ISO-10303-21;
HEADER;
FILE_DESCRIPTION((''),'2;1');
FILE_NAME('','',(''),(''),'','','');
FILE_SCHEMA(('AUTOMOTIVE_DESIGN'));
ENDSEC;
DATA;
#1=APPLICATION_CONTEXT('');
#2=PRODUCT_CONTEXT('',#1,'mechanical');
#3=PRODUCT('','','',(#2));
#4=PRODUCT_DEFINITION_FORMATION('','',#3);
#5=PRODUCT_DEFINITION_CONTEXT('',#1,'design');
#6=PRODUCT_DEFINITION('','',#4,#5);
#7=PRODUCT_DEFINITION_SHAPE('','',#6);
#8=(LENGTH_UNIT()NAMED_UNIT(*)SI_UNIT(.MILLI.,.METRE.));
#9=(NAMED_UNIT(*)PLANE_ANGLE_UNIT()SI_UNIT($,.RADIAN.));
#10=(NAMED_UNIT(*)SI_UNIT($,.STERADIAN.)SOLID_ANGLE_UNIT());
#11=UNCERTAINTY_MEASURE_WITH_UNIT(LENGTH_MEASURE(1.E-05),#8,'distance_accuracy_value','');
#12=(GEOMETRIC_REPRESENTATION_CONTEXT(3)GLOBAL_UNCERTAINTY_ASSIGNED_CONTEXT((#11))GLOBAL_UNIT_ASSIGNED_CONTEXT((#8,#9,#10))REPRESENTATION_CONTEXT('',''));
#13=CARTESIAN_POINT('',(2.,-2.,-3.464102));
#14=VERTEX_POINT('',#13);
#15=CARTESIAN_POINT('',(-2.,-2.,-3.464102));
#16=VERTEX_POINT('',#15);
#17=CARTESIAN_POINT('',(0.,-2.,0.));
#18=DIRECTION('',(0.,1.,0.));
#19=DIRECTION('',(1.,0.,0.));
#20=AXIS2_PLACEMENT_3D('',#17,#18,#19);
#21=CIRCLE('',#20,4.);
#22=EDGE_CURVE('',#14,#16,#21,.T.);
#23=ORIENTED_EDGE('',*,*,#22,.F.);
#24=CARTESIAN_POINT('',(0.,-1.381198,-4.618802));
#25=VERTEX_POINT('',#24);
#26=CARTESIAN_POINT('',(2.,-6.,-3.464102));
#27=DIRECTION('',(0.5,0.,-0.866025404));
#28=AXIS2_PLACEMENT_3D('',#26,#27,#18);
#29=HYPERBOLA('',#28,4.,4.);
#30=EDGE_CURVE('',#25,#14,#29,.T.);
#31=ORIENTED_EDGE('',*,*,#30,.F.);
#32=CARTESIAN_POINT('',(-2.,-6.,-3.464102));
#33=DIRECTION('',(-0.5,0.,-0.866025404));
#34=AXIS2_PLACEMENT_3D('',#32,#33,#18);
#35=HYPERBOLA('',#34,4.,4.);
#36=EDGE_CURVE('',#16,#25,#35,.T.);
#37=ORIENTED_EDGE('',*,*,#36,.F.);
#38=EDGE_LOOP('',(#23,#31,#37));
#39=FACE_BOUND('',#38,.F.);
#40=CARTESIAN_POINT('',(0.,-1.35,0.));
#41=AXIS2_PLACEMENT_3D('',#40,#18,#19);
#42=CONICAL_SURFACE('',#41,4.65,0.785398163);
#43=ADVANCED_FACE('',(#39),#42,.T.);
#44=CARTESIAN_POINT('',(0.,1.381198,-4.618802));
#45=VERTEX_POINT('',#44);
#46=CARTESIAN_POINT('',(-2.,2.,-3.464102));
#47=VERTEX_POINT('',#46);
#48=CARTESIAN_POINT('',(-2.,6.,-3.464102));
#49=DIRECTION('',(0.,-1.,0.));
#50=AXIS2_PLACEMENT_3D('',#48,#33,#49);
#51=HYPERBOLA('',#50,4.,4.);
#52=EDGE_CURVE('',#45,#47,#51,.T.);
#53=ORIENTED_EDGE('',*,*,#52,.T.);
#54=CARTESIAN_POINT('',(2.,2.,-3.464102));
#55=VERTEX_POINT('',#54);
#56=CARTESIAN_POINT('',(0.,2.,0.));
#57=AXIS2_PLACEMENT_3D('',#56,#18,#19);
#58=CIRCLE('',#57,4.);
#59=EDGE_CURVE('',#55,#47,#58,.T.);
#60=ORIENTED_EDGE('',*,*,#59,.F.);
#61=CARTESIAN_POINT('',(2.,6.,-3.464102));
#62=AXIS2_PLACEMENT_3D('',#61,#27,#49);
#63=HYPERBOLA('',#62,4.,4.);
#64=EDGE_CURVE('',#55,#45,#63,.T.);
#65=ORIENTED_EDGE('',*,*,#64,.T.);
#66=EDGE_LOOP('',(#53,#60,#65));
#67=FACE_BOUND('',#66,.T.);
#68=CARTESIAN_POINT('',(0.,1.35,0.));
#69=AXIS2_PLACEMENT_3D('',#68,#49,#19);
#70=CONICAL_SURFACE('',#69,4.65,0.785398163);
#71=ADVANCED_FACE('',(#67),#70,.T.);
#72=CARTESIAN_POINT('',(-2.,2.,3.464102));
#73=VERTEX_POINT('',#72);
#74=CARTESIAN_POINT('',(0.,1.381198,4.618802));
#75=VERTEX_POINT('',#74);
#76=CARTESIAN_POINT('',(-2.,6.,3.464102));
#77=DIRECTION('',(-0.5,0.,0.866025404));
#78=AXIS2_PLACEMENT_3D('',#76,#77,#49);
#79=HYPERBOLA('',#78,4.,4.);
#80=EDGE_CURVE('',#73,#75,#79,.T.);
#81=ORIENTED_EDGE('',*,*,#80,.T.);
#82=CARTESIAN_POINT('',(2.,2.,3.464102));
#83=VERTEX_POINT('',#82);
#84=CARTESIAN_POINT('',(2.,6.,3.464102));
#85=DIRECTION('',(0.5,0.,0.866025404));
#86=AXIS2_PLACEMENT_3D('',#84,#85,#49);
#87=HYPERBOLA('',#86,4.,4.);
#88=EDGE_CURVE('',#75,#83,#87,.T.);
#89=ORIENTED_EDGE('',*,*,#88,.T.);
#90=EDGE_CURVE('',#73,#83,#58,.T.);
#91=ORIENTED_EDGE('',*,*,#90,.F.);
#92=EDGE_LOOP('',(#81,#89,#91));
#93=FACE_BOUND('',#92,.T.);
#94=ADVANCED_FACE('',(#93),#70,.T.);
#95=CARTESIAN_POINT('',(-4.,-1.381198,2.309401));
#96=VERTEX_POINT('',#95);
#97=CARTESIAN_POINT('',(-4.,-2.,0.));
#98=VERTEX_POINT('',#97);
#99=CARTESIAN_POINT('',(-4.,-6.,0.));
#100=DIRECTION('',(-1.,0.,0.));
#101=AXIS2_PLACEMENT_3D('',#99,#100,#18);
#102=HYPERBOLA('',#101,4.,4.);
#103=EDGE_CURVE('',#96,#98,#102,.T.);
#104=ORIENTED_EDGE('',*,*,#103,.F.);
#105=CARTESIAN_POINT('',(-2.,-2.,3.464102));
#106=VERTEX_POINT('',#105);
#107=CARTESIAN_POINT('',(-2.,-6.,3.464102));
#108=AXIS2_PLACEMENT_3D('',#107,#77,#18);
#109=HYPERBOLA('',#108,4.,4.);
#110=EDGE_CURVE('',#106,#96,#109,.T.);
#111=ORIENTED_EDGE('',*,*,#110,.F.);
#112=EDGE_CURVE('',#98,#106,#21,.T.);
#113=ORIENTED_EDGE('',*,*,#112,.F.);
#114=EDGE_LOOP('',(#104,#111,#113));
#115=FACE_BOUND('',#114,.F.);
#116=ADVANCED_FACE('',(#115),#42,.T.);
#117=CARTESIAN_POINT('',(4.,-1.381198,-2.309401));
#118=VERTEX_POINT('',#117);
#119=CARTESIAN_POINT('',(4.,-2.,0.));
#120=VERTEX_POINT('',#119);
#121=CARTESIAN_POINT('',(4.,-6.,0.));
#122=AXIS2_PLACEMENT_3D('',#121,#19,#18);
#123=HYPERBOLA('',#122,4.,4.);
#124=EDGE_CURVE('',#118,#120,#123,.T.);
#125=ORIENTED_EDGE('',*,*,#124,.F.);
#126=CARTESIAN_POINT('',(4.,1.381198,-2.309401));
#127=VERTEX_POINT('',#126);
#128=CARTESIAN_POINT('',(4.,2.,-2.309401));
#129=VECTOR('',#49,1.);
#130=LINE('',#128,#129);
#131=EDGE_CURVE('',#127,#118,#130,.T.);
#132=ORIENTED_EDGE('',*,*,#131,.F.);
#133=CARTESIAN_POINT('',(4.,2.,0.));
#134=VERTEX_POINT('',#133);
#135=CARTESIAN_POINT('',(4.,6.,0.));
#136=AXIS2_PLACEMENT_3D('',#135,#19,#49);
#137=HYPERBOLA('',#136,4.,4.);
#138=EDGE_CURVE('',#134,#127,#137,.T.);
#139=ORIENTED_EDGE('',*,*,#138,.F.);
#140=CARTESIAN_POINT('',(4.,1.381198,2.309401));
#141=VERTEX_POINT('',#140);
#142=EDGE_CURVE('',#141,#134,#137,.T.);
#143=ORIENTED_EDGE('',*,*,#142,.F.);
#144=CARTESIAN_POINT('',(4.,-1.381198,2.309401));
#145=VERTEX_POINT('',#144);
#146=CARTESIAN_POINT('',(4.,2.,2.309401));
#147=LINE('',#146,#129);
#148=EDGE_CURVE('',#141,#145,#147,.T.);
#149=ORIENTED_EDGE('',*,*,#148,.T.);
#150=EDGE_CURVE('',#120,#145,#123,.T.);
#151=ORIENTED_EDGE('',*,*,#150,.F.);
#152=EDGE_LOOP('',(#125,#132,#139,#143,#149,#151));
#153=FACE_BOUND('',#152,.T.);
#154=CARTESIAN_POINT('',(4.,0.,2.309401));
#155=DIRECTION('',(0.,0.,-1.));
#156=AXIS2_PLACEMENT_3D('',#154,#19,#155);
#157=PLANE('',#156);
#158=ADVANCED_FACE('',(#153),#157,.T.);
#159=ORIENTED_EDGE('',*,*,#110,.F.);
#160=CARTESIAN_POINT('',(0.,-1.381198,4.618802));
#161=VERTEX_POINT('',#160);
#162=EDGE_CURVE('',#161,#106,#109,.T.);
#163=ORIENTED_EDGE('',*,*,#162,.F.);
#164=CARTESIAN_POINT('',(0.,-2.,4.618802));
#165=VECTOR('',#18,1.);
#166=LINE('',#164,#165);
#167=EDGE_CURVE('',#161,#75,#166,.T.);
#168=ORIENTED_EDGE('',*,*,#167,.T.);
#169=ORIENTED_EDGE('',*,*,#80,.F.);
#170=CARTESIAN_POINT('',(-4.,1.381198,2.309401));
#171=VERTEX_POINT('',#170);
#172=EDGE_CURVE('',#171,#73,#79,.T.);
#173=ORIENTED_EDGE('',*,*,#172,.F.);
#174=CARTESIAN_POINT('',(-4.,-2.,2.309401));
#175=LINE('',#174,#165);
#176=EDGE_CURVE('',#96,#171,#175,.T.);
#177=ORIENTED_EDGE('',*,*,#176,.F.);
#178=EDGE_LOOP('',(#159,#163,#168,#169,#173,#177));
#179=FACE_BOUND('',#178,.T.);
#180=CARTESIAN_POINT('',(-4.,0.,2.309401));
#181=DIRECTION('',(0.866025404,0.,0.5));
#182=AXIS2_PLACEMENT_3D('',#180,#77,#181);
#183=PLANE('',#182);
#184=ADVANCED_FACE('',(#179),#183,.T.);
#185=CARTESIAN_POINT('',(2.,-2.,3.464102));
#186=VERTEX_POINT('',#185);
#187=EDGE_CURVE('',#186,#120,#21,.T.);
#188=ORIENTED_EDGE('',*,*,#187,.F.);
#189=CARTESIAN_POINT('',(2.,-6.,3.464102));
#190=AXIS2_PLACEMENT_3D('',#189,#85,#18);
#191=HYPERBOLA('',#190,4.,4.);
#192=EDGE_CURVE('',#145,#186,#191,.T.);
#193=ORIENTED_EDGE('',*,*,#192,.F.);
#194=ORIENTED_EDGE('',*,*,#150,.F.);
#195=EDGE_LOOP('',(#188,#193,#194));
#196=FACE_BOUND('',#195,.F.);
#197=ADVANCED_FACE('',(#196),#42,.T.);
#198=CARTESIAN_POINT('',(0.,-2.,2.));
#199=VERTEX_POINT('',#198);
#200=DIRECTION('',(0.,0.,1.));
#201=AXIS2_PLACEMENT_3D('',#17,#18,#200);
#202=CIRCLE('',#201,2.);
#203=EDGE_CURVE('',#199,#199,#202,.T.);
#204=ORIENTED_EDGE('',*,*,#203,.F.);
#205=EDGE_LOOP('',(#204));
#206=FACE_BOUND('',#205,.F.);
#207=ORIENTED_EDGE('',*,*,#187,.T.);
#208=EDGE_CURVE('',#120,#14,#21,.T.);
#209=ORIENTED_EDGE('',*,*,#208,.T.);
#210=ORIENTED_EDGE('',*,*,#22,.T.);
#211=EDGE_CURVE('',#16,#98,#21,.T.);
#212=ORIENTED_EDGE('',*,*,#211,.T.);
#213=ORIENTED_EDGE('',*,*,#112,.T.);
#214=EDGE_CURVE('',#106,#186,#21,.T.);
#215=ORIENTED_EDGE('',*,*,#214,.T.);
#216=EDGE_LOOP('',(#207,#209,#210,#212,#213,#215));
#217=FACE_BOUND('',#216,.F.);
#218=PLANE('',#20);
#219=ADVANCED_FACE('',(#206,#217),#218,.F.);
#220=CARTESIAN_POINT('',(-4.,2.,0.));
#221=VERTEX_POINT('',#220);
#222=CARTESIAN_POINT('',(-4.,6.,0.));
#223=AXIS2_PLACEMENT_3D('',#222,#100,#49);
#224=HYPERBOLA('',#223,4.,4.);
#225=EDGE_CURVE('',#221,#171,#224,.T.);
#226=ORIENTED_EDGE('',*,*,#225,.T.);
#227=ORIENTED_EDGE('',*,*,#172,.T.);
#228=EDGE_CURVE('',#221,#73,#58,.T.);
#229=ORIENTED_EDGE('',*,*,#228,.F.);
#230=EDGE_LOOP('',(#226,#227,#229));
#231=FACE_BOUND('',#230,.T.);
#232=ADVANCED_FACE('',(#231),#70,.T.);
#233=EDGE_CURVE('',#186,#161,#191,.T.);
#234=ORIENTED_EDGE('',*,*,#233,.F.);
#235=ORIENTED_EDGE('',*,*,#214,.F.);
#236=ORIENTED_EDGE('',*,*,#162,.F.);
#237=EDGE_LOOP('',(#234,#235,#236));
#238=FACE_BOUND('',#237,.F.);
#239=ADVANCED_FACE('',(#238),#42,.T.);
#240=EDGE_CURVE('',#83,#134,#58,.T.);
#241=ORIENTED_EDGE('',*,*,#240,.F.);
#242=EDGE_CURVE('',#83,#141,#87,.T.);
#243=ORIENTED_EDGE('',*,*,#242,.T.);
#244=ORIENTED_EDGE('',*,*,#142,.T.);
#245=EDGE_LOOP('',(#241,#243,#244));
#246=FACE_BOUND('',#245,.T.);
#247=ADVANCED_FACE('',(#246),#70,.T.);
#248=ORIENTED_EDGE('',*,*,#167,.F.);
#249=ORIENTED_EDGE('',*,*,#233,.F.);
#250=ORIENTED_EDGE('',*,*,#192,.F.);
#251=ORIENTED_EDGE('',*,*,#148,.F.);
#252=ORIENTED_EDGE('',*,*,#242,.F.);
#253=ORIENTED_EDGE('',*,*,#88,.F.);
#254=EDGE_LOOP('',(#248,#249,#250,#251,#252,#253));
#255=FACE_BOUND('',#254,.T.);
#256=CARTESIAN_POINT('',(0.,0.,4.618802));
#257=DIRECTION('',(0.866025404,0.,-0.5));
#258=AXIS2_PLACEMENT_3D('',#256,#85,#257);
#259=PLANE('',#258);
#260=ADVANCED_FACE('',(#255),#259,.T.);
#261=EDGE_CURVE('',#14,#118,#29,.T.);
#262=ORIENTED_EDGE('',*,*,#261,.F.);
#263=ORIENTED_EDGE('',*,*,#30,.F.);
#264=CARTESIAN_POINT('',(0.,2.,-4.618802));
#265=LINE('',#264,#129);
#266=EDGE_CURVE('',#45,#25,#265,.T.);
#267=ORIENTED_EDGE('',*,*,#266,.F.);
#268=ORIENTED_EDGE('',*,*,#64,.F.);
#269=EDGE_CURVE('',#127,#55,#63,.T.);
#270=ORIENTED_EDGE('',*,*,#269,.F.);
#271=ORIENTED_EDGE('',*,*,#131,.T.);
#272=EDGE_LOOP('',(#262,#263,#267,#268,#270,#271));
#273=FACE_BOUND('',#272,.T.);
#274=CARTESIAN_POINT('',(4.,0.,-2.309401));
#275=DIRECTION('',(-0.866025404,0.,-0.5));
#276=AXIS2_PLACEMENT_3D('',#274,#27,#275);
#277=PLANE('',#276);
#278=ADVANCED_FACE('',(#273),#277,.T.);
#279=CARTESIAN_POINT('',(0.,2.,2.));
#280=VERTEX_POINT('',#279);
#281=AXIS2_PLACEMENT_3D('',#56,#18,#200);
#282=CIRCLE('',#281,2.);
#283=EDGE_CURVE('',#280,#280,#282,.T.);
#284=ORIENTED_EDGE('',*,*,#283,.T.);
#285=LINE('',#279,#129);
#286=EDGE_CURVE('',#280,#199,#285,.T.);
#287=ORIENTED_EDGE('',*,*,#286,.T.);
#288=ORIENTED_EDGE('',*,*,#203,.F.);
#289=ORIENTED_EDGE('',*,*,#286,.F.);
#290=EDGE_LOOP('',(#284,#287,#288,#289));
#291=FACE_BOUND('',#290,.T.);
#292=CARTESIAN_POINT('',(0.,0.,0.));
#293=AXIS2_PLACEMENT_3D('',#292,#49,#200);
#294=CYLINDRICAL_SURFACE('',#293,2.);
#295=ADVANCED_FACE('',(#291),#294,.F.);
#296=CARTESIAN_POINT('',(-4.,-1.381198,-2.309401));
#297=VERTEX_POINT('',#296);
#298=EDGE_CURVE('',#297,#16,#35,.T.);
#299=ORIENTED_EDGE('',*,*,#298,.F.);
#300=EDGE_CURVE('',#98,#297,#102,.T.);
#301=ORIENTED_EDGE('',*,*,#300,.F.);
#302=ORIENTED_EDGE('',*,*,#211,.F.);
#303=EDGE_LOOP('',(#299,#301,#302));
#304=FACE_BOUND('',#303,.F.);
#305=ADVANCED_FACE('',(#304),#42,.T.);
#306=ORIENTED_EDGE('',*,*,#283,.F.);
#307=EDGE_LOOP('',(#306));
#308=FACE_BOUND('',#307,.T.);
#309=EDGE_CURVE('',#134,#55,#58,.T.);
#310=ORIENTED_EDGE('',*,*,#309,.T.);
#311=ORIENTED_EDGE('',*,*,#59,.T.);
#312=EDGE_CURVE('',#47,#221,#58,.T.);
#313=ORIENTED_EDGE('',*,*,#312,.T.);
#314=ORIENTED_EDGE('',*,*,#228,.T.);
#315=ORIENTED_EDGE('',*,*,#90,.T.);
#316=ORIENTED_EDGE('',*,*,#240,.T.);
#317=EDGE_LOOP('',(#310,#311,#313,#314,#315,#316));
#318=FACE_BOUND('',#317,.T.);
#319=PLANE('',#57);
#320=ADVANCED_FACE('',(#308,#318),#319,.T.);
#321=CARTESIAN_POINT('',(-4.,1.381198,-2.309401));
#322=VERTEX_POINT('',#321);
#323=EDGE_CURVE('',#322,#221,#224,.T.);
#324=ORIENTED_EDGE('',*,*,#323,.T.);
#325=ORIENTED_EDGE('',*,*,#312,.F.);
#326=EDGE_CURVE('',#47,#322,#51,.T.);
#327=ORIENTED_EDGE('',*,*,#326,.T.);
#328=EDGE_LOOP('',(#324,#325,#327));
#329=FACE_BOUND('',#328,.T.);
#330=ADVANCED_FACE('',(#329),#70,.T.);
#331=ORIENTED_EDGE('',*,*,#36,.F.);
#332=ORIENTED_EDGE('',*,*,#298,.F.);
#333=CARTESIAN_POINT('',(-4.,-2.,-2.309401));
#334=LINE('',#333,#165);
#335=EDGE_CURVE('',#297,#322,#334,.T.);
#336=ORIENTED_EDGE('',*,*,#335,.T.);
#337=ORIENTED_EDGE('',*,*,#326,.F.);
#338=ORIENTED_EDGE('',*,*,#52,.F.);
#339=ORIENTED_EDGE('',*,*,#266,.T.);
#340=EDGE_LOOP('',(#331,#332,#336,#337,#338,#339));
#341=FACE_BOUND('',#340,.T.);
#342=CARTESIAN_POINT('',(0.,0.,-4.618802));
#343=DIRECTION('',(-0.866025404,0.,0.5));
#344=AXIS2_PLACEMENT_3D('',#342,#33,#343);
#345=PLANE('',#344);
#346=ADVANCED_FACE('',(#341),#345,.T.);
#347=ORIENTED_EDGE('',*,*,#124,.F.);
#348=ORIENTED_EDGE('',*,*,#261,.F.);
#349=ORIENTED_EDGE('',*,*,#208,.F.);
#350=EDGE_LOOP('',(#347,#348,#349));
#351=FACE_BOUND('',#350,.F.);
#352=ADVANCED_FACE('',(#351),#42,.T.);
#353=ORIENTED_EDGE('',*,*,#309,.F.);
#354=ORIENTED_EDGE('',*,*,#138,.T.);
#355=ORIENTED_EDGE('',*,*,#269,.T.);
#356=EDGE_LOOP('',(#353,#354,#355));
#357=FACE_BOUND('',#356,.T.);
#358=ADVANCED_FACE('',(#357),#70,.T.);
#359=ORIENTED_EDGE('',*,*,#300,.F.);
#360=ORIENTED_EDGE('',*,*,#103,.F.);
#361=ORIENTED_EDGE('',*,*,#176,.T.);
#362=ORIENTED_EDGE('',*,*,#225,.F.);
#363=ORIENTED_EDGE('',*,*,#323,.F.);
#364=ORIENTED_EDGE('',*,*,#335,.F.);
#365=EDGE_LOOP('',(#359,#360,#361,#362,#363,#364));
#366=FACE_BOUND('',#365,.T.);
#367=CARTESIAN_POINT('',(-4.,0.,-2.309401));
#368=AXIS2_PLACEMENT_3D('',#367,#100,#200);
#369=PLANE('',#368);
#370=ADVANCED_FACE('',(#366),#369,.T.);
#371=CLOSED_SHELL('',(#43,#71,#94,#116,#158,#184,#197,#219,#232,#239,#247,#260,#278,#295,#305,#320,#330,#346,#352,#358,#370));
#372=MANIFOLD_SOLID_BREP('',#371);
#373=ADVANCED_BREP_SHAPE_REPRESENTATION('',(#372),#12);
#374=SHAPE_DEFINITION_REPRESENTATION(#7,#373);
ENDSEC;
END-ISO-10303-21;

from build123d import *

# Parameters (mm, degrees)
SKETCH1_R           = 2
BOSS_EXTRUDE1_DEPTH = 2


with BuildPart() as part:
    # Sketch1 → Boss-Extrude1 (new, symmetric)
    with BuildSketch(Plane(origin=(0, 0, 0), x_dir=(1, 0, 0), z_dir=(0, 1, 0))):
        Polygon((0, 4.618802154), (-4, 2.309401077), (-4, -2.309401077), (0, -4.618802154), (4, -2.309401077), (4, 2.309401077), align=None)
        with Locations(Location((0, 0, 0), (0, 0, 270))):
            Circle(SKETCH1_R, mode=Mode.SUBTRACT)
    extrude(amount=BOSS_EXTRUDE1_DEPTH, both=True)

    # Cut-Sweep1: sweep along a path in Sketch2
    with BuildLine(Plane(origin=(0, 2, 0), x_dir=(1, 0, 0), z_dir=(0, 1, 0))) as cut_sweep1_path:
        CenterArc((0, 0), 4, 0, 360)
    # Sketch3 → Cut-Sweep1 (sweep, cut)
    with BuildSketch(Plane.XY):
        Polygon((-4.65, 1.35), (-4, 2), (-4.65, 2), align=None)
    cut_sweep1 = sweep(path=cut_sweep1_path.line, mode=Mode.SUBTRACT)

    # Mirror1: Cut-Sweep1 across plane
    add(cut_sweep1.mirror(Plane.ZX), mode=Mode.SUBTRACT)


solid = part.part
